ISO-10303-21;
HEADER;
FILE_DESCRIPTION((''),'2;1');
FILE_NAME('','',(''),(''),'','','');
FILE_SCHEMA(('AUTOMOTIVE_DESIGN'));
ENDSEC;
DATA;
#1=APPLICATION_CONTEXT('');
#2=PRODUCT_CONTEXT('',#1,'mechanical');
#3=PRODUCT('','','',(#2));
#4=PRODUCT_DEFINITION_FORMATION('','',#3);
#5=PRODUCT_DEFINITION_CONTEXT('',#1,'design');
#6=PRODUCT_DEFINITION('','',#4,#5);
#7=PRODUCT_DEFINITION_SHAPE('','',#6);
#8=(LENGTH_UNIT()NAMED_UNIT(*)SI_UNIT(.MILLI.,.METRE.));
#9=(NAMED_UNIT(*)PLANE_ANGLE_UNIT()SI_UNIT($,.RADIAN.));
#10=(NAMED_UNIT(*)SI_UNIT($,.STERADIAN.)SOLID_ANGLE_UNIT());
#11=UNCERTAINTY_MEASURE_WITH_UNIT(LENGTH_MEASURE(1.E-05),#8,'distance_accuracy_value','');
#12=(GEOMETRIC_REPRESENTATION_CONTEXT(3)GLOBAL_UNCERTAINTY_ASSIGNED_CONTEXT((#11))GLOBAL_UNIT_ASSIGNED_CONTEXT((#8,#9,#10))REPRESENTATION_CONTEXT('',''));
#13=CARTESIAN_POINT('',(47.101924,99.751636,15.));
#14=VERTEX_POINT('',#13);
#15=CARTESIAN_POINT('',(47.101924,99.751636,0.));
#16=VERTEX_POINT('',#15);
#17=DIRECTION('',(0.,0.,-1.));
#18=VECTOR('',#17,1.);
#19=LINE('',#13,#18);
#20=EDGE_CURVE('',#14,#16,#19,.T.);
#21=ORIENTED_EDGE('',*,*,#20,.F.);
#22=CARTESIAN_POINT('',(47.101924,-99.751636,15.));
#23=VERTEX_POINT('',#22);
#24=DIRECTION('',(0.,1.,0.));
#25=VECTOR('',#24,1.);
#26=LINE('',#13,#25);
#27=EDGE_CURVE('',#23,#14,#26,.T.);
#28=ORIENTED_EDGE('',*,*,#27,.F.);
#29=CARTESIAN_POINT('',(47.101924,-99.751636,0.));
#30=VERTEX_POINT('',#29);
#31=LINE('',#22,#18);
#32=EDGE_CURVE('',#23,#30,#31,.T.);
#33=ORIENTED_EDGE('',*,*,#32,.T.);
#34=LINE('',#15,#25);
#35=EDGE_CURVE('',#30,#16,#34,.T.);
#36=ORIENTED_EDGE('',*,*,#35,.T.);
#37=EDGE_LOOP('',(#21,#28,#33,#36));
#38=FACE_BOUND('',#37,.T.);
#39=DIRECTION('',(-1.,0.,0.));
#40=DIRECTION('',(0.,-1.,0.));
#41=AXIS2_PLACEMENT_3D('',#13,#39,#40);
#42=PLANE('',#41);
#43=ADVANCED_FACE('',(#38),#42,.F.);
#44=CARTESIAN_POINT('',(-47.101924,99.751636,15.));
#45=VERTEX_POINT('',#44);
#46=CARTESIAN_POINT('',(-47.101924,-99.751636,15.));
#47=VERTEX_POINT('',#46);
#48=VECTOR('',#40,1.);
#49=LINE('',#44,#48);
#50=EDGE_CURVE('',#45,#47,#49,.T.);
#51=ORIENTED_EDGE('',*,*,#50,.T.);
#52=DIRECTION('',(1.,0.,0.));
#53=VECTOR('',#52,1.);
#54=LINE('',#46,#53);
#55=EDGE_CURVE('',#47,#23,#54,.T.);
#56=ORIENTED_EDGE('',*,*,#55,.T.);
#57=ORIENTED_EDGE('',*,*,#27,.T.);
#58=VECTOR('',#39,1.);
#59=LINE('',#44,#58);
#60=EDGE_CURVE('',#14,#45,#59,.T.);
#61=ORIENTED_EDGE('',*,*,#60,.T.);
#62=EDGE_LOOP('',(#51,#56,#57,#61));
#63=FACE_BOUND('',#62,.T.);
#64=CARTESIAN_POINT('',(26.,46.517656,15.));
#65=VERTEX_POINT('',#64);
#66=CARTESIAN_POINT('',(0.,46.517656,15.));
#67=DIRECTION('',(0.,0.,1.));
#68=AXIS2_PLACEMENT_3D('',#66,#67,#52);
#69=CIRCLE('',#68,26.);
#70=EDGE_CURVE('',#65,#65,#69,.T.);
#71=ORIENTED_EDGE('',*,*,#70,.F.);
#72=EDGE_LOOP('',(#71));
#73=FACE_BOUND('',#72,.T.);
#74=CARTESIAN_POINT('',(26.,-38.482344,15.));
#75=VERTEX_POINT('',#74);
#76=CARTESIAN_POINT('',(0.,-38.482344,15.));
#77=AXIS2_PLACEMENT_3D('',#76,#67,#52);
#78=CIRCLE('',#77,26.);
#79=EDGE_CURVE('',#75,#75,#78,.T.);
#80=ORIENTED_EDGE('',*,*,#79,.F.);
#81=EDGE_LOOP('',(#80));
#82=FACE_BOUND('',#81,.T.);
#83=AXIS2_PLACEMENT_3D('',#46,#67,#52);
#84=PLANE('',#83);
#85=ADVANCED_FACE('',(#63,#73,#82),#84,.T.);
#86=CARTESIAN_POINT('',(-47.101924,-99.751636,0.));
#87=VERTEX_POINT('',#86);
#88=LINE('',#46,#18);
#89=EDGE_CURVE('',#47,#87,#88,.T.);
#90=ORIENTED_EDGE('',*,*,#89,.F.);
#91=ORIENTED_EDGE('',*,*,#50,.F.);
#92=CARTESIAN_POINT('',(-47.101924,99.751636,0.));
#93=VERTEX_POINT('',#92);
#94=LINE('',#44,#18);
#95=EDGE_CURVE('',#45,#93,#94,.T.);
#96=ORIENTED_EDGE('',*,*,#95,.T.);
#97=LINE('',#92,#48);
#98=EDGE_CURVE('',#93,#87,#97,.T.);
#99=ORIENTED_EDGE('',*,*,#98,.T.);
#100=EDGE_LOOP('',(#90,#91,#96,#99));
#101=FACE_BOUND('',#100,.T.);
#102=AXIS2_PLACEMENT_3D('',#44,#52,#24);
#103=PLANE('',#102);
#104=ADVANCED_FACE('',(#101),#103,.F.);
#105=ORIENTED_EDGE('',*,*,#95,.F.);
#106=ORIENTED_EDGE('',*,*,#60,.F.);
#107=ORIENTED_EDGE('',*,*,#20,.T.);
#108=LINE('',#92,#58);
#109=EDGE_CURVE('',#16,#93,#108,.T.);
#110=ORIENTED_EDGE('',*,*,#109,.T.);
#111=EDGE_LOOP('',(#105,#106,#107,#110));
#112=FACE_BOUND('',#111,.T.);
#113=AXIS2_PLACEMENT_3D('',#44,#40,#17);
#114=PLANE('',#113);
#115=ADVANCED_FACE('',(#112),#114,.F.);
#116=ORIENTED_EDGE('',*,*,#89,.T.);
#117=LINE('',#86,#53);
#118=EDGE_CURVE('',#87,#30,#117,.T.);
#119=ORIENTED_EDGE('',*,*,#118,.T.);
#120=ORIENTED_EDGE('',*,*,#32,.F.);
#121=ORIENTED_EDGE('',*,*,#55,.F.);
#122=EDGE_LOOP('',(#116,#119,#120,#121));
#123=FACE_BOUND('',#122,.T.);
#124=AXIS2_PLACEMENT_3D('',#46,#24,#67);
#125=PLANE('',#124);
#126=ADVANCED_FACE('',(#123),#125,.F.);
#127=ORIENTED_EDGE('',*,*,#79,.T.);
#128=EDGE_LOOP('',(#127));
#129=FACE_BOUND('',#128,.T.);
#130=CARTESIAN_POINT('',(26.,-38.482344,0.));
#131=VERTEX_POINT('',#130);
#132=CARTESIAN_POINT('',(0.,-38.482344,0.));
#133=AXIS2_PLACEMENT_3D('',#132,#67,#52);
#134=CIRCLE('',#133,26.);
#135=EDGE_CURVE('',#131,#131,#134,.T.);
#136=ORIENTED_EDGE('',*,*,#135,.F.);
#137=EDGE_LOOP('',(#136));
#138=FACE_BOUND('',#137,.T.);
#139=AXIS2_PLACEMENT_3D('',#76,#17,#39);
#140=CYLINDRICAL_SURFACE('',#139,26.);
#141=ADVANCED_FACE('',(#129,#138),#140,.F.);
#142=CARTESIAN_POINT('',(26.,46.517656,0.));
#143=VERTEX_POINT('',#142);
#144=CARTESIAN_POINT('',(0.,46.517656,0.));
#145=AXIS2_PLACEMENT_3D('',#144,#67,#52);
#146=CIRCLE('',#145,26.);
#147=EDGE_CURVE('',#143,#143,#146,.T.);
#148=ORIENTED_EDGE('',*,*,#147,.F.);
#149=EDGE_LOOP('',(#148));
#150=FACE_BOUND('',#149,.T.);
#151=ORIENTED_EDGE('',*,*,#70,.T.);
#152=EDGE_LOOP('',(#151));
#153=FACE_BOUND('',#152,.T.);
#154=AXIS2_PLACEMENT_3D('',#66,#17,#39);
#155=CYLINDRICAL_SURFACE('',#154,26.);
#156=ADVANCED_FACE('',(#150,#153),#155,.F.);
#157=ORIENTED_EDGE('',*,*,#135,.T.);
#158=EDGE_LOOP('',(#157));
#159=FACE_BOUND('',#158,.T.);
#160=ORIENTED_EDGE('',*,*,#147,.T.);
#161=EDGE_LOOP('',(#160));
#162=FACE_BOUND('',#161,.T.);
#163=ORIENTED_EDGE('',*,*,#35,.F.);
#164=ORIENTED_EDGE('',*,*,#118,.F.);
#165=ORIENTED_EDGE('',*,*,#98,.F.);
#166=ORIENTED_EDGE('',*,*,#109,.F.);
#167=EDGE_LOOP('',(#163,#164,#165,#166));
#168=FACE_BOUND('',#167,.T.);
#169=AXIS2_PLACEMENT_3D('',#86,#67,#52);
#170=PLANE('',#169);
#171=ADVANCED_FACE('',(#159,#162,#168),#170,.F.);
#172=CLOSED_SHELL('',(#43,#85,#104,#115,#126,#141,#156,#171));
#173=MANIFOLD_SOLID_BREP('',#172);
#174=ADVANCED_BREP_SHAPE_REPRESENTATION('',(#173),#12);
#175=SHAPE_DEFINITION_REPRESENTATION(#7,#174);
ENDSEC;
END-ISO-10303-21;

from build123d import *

# Parameters (mm, degrees)
SKETCH1_W           = 94.20384832
SKETCH1_H           = 199.503271976
SKETCH1_R           = 26
BOSS_EXTRUDE1_DEPTH = 15


with BuildPart() as part:
    # Sketch1 → Boss-Extrude1 (new body)
    with BuildSketch(Plane.XY):
        Rectangle(SKETCH1_W, SKETCH1_H)
        with Locations((0, 46.517656328)):
            Circle(SKETCH1_R, mode=Mode.SUBTRACT)
        with Locations((0, -38.482343672)):
            Circle(SKETCH1_R, mode=Mode.SUBTRACT)
    extrude(amount=BOSS_EXTRUDE1_DEPTH)


solid = part.part
